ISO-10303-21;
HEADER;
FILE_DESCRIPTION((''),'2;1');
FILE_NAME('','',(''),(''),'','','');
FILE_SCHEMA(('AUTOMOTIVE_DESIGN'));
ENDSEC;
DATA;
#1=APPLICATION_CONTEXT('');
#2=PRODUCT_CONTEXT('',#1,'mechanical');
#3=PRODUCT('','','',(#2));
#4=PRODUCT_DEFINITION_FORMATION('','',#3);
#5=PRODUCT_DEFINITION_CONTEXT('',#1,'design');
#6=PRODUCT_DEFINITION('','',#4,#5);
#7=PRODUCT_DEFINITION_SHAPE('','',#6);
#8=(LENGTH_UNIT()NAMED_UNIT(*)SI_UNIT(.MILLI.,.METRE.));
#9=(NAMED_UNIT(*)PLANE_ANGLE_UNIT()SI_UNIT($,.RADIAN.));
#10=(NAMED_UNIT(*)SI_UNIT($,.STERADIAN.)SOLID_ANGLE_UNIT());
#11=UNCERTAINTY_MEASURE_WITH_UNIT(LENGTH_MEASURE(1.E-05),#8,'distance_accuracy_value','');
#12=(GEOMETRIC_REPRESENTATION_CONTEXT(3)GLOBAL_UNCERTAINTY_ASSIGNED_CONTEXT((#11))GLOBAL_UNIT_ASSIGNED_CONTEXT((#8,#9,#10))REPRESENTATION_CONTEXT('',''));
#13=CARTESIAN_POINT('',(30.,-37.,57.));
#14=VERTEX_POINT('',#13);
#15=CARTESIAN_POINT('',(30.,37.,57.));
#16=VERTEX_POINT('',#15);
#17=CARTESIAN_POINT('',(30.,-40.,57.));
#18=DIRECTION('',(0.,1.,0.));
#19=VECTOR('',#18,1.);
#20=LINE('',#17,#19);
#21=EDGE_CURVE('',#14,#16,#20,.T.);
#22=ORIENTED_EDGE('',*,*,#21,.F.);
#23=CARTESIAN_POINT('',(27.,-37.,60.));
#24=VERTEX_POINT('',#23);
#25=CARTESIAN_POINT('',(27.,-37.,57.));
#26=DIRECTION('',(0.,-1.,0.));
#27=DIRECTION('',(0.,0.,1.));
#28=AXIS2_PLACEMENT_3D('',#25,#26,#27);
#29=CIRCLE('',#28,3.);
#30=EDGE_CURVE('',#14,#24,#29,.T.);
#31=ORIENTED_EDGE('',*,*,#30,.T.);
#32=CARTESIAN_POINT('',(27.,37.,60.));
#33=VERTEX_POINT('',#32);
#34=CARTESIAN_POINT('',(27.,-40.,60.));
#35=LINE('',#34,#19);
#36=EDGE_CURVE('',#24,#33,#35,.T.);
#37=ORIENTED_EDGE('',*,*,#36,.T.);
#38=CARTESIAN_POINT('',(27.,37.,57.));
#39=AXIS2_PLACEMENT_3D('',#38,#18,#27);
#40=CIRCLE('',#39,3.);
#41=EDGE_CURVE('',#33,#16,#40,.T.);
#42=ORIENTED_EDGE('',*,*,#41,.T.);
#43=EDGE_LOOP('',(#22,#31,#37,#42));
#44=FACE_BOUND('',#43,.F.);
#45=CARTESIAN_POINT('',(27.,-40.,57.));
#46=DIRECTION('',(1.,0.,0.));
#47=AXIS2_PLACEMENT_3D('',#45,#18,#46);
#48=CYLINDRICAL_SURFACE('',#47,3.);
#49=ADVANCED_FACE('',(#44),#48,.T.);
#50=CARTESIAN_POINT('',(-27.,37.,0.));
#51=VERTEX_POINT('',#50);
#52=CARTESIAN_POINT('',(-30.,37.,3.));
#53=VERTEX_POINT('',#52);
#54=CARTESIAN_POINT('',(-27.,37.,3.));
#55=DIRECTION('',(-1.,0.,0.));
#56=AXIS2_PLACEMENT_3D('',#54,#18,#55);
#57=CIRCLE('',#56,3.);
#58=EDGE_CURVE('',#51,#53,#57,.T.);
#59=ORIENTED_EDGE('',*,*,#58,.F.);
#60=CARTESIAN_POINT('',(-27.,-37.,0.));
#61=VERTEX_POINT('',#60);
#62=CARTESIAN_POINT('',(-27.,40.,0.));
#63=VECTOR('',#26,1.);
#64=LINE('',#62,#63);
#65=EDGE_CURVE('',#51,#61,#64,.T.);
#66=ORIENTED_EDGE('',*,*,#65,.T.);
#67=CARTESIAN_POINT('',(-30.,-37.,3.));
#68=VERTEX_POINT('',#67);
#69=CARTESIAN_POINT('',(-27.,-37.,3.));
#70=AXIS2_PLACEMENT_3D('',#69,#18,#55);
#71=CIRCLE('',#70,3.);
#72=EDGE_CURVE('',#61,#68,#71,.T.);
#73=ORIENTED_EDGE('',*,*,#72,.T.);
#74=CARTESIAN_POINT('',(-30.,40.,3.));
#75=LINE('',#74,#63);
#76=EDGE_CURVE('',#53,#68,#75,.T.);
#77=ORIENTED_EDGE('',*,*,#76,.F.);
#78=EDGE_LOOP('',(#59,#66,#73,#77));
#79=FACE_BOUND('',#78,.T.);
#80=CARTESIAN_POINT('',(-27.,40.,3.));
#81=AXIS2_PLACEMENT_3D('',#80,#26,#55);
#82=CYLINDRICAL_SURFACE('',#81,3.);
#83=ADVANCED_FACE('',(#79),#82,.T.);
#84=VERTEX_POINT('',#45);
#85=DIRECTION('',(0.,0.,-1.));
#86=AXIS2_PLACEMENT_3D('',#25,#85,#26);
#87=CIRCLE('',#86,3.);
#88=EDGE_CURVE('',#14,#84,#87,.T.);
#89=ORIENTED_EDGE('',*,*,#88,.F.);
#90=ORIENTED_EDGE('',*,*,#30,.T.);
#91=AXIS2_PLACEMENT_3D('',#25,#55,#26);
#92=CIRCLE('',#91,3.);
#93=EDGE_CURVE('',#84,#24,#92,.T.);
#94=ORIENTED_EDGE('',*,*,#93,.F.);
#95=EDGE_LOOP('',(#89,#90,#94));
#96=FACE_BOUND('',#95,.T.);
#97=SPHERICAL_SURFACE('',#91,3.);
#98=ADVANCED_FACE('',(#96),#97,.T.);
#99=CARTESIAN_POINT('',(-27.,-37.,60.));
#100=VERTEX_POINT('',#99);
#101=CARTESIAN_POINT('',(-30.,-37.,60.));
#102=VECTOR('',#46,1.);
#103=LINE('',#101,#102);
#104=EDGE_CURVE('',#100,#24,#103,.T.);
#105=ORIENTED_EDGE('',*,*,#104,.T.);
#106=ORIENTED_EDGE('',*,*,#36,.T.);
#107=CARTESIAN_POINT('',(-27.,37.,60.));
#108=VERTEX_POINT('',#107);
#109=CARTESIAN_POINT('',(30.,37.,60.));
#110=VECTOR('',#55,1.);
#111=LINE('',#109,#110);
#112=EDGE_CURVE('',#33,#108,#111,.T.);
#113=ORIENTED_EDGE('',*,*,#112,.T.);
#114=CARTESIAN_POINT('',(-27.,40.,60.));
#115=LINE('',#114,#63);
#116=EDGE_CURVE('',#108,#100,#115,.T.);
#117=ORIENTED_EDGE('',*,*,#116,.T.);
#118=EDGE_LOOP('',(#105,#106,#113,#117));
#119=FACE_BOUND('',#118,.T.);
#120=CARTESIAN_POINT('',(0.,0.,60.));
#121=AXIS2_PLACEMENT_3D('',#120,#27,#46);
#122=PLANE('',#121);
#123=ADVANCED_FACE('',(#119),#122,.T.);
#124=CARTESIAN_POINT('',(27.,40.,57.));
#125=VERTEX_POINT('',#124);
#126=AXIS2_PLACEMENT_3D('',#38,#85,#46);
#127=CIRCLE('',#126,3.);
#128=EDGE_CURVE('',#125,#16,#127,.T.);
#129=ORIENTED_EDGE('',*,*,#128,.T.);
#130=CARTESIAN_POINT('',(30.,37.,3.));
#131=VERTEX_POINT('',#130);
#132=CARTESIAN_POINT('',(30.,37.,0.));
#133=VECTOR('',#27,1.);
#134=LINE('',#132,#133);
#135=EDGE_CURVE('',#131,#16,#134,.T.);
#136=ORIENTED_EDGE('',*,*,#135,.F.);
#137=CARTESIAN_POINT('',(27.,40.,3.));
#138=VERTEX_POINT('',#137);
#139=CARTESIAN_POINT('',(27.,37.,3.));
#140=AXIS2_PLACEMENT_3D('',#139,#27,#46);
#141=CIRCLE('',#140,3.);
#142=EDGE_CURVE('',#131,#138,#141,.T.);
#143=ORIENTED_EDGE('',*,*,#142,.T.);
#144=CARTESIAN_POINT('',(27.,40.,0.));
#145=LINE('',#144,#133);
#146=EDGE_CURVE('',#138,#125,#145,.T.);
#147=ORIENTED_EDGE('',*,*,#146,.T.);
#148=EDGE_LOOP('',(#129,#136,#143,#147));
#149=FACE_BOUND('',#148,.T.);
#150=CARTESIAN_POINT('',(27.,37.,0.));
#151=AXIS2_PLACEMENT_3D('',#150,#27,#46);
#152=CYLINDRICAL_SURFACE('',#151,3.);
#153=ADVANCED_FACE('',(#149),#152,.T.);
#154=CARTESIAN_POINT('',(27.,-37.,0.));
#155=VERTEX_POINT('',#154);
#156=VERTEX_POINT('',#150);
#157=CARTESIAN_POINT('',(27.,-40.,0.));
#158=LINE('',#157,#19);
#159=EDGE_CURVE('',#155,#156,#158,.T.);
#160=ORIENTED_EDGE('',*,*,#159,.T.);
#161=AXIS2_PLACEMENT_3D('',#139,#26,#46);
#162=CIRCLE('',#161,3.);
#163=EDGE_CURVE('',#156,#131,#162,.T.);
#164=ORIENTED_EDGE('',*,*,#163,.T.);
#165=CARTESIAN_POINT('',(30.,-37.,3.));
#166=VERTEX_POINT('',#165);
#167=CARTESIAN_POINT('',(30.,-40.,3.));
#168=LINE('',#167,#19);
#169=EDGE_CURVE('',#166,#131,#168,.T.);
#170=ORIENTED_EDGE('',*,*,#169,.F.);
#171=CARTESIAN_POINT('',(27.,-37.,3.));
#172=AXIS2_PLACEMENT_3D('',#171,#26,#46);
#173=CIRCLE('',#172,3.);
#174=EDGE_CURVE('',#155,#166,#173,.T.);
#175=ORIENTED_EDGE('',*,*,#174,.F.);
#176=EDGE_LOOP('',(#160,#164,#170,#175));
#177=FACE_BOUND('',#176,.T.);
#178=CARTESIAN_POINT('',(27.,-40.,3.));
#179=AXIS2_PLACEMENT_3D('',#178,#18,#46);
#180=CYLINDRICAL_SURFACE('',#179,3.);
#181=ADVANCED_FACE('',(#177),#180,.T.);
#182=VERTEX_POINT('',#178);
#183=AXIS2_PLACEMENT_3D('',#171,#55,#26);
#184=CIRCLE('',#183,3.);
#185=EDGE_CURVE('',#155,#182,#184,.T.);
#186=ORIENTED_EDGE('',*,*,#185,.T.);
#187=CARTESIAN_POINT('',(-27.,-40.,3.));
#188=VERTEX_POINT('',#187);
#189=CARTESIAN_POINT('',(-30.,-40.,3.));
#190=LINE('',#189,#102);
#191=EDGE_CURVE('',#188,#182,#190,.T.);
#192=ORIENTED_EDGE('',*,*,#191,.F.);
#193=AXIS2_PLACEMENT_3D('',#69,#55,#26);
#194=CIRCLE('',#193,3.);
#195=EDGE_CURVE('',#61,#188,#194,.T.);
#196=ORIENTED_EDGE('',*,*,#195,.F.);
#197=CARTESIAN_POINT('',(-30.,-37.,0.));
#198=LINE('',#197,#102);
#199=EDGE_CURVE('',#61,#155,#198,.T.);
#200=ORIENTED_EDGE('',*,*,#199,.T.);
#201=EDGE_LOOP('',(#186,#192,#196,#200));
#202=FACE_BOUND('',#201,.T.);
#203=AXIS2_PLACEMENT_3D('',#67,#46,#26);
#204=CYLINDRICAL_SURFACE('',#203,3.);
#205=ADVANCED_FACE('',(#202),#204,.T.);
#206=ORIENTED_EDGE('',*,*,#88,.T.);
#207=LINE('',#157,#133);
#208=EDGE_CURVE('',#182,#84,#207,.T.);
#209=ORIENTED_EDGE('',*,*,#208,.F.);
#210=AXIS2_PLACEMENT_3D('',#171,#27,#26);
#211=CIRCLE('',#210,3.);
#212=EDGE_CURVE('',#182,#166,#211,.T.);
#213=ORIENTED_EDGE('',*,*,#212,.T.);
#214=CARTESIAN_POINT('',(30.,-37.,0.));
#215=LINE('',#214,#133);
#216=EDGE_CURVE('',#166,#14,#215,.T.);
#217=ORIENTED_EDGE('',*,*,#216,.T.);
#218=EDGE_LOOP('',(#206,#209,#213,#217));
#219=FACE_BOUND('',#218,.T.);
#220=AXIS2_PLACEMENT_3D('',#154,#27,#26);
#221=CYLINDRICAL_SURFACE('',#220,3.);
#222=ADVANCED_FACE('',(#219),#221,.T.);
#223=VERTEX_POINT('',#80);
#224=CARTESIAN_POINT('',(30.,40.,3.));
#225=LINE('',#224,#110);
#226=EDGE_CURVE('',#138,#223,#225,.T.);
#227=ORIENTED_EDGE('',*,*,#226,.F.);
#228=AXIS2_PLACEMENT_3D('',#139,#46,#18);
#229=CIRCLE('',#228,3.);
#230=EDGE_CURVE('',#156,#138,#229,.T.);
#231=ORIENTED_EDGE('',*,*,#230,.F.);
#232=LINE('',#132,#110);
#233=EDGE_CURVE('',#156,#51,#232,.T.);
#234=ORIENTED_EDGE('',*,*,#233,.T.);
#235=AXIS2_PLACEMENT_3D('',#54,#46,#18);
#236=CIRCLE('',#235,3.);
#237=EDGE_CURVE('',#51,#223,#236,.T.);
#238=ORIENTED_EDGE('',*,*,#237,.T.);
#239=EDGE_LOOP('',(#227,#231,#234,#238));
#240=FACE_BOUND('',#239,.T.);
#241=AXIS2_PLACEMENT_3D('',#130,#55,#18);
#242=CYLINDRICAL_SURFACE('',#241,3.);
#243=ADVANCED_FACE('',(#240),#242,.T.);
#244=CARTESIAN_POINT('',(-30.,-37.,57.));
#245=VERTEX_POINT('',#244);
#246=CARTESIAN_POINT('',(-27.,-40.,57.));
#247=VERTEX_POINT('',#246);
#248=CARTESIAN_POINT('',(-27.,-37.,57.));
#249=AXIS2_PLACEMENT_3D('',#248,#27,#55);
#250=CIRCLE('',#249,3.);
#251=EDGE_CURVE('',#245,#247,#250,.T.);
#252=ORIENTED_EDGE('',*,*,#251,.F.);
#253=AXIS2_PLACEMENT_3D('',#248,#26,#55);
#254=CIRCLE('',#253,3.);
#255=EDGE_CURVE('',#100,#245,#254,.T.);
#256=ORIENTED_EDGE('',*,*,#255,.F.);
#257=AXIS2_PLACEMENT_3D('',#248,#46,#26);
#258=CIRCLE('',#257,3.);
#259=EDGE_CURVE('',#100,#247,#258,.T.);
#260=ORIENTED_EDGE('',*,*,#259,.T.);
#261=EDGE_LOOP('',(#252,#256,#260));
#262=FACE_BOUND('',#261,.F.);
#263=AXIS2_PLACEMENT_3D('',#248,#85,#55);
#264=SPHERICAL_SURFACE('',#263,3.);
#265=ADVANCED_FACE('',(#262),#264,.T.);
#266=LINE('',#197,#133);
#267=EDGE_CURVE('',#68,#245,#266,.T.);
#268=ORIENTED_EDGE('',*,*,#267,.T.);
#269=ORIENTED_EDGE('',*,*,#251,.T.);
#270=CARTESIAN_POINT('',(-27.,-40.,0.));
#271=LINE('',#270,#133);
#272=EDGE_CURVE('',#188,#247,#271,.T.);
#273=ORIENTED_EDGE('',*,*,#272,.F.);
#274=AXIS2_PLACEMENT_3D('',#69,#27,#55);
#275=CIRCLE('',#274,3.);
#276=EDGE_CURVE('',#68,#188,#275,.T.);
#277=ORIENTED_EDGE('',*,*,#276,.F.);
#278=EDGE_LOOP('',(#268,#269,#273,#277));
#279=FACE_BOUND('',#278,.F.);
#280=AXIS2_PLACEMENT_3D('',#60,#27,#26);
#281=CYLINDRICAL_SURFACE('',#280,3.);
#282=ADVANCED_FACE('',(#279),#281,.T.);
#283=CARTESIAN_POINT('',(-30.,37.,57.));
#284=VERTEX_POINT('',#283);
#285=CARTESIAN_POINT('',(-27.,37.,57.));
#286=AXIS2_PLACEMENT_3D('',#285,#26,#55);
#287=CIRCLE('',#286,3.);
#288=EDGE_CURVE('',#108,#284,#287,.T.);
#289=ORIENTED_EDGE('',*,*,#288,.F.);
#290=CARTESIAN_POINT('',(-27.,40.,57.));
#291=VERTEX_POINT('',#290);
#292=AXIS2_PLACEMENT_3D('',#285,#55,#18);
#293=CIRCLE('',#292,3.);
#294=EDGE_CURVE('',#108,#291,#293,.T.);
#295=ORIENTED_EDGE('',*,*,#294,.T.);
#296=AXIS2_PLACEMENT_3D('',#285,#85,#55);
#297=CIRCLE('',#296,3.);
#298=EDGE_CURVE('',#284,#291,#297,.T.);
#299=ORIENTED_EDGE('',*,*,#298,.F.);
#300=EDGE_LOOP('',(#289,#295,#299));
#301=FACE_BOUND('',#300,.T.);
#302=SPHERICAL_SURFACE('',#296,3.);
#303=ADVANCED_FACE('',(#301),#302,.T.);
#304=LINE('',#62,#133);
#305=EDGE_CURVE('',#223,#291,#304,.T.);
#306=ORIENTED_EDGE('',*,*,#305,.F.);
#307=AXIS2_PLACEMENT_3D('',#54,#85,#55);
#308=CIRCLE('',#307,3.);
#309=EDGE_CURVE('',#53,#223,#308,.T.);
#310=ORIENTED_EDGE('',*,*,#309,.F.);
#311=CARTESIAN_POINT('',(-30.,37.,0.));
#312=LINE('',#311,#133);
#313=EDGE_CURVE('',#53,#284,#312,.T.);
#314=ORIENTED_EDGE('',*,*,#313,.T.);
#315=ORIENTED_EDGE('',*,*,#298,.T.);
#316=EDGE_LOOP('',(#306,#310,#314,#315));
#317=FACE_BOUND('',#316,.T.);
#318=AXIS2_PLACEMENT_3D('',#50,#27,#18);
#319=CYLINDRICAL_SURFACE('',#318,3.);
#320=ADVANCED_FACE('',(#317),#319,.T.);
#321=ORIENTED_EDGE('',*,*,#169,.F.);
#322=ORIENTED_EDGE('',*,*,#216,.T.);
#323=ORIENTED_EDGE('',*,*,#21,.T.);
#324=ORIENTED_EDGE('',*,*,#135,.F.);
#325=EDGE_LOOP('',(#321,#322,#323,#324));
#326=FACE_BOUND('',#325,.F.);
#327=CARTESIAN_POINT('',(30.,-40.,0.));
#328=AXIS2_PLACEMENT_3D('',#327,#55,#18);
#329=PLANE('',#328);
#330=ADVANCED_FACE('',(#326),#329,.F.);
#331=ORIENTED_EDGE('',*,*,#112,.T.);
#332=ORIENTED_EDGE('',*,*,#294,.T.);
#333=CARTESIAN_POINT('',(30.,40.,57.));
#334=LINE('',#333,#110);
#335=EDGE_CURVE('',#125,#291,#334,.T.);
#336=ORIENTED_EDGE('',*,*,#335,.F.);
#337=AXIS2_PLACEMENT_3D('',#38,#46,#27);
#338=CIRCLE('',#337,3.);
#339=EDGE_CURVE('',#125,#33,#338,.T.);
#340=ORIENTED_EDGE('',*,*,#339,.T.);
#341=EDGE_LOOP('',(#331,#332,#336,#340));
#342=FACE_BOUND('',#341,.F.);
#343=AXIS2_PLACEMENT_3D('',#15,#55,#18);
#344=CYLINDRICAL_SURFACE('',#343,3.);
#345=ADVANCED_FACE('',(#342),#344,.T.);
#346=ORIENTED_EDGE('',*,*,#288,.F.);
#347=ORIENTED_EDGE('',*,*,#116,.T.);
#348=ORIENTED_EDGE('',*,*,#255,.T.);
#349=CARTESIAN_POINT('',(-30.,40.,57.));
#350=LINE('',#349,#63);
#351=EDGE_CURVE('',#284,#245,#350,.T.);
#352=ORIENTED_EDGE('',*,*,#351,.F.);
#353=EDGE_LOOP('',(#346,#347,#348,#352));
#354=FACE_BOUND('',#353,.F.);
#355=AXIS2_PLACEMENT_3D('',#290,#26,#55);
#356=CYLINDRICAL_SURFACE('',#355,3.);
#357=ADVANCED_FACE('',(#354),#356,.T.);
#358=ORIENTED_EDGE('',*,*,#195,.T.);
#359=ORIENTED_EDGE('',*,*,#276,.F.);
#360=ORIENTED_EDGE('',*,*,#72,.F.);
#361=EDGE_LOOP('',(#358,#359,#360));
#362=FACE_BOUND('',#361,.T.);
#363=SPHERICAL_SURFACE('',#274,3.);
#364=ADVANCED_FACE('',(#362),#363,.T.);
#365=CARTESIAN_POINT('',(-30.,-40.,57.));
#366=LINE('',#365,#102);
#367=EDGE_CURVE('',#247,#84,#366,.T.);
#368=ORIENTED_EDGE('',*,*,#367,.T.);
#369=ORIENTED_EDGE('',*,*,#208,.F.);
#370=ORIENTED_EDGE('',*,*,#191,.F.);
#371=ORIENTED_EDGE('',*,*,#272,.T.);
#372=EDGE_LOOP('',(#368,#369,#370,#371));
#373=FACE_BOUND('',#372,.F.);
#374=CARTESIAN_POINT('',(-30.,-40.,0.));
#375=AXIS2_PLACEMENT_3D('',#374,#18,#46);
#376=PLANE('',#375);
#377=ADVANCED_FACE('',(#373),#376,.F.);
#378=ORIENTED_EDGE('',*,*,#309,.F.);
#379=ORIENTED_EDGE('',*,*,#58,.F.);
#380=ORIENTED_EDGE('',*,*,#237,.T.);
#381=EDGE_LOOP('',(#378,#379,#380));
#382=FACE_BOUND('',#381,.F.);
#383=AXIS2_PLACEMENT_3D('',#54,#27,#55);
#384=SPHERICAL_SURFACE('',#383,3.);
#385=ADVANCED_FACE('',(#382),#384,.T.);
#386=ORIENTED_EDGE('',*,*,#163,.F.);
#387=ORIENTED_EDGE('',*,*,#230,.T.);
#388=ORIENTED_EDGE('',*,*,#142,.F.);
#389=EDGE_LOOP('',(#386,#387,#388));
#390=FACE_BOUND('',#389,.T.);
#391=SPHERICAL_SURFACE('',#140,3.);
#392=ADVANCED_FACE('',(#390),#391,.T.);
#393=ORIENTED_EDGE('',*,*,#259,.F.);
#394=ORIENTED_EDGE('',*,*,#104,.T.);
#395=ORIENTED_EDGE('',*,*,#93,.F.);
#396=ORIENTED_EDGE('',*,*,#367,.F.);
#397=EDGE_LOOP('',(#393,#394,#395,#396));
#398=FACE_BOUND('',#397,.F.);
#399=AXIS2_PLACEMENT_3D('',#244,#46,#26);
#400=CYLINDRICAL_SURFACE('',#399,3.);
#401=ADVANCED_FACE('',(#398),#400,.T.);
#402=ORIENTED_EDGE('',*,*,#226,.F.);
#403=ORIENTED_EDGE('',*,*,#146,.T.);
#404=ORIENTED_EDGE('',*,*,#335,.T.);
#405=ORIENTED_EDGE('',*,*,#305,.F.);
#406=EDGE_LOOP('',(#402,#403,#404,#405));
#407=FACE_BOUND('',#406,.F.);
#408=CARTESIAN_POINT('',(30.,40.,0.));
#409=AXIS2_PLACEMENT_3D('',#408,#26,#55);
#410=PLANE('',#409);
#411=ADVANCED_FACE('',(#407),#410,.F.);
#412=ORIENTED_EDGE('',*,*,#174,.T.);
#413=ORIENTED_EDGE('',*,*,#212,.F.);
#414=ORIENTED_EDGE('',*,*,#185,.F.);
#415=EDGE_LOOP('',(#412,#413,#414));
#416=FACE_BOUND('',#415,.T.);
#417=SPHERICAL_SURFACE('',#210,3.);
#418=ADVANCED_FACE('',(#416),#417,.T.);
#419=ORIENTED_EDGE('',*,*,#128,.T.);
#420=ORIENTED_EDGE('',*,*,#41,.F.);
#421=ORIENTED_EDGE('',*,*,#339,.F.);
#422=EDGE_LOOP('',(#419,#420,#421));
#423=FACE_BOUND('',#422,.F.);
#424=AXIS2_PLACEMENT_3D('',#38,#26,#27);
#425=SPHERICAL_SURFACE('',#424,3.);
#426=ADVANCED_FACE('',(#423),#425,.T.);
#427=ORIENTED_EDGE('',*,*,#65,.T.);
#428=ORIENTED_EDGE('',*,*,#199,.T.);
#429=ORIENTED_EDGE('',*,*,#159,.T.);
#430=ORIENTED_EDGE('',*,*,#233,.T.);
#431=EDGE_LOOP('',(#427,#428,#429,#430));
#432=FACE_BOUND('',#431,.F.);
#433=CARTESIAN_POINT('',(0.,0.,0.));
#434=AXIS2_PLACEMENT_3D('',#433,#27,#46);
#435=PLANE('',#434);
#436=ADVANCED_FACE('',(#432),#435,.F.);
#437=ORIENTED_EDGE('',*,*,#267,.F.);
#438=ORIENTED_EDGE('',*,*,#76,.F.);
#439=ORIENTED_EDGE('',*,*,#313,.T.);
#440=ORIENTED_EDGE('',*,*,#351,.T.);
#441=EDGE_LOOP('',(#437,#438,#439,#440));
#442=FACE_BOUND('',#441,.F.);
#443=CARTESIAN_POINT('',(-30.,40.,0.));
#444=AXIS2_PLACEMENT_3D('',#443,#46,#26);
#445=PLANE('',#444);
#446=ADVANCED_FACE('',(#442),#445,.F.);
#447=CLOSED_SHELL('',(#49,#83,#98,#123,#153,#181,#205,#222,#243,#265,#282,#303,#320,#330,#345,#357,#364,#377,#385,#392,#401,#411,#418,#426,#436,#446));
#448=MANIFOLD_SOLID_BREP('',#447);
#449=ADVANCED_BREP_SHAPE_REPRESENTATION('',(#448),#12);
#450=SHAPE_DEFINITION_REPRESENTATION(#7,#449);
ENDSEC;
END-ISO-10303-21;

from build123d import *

# Parameters (mm, degrees)
F1_DEPTH = 60
F2_R     = 3


with BuildPart() as f1:
    # F0 (on Top) → F1 (new body)
    with BuildSketch(Plane.XY):
        Polygon((-30, -40), (0, -40), (30, -40), (30, 40), (-30, 40), align=None)
    extrude(amount=F1_DEPTH)

    # F2
    f2_edges = [f1.edges().sort_by_distance(p)[0] for p in [
        (-30, 40, 30),
        (-30, -40, 30),
        (-30, 0, 0),
        (-30, 0, 60),
        (0, -40, 60),
        (30, -40, 30),
        (0, -40, 0),
        (30, 0, 60),
        (0, 40, 60),
        (30, 40, 30),
        (30, 0, 0),
        (0, 40, 0),
    ]]
    fillet(f2_edges, radius=F2_R)


solid = f1.part
